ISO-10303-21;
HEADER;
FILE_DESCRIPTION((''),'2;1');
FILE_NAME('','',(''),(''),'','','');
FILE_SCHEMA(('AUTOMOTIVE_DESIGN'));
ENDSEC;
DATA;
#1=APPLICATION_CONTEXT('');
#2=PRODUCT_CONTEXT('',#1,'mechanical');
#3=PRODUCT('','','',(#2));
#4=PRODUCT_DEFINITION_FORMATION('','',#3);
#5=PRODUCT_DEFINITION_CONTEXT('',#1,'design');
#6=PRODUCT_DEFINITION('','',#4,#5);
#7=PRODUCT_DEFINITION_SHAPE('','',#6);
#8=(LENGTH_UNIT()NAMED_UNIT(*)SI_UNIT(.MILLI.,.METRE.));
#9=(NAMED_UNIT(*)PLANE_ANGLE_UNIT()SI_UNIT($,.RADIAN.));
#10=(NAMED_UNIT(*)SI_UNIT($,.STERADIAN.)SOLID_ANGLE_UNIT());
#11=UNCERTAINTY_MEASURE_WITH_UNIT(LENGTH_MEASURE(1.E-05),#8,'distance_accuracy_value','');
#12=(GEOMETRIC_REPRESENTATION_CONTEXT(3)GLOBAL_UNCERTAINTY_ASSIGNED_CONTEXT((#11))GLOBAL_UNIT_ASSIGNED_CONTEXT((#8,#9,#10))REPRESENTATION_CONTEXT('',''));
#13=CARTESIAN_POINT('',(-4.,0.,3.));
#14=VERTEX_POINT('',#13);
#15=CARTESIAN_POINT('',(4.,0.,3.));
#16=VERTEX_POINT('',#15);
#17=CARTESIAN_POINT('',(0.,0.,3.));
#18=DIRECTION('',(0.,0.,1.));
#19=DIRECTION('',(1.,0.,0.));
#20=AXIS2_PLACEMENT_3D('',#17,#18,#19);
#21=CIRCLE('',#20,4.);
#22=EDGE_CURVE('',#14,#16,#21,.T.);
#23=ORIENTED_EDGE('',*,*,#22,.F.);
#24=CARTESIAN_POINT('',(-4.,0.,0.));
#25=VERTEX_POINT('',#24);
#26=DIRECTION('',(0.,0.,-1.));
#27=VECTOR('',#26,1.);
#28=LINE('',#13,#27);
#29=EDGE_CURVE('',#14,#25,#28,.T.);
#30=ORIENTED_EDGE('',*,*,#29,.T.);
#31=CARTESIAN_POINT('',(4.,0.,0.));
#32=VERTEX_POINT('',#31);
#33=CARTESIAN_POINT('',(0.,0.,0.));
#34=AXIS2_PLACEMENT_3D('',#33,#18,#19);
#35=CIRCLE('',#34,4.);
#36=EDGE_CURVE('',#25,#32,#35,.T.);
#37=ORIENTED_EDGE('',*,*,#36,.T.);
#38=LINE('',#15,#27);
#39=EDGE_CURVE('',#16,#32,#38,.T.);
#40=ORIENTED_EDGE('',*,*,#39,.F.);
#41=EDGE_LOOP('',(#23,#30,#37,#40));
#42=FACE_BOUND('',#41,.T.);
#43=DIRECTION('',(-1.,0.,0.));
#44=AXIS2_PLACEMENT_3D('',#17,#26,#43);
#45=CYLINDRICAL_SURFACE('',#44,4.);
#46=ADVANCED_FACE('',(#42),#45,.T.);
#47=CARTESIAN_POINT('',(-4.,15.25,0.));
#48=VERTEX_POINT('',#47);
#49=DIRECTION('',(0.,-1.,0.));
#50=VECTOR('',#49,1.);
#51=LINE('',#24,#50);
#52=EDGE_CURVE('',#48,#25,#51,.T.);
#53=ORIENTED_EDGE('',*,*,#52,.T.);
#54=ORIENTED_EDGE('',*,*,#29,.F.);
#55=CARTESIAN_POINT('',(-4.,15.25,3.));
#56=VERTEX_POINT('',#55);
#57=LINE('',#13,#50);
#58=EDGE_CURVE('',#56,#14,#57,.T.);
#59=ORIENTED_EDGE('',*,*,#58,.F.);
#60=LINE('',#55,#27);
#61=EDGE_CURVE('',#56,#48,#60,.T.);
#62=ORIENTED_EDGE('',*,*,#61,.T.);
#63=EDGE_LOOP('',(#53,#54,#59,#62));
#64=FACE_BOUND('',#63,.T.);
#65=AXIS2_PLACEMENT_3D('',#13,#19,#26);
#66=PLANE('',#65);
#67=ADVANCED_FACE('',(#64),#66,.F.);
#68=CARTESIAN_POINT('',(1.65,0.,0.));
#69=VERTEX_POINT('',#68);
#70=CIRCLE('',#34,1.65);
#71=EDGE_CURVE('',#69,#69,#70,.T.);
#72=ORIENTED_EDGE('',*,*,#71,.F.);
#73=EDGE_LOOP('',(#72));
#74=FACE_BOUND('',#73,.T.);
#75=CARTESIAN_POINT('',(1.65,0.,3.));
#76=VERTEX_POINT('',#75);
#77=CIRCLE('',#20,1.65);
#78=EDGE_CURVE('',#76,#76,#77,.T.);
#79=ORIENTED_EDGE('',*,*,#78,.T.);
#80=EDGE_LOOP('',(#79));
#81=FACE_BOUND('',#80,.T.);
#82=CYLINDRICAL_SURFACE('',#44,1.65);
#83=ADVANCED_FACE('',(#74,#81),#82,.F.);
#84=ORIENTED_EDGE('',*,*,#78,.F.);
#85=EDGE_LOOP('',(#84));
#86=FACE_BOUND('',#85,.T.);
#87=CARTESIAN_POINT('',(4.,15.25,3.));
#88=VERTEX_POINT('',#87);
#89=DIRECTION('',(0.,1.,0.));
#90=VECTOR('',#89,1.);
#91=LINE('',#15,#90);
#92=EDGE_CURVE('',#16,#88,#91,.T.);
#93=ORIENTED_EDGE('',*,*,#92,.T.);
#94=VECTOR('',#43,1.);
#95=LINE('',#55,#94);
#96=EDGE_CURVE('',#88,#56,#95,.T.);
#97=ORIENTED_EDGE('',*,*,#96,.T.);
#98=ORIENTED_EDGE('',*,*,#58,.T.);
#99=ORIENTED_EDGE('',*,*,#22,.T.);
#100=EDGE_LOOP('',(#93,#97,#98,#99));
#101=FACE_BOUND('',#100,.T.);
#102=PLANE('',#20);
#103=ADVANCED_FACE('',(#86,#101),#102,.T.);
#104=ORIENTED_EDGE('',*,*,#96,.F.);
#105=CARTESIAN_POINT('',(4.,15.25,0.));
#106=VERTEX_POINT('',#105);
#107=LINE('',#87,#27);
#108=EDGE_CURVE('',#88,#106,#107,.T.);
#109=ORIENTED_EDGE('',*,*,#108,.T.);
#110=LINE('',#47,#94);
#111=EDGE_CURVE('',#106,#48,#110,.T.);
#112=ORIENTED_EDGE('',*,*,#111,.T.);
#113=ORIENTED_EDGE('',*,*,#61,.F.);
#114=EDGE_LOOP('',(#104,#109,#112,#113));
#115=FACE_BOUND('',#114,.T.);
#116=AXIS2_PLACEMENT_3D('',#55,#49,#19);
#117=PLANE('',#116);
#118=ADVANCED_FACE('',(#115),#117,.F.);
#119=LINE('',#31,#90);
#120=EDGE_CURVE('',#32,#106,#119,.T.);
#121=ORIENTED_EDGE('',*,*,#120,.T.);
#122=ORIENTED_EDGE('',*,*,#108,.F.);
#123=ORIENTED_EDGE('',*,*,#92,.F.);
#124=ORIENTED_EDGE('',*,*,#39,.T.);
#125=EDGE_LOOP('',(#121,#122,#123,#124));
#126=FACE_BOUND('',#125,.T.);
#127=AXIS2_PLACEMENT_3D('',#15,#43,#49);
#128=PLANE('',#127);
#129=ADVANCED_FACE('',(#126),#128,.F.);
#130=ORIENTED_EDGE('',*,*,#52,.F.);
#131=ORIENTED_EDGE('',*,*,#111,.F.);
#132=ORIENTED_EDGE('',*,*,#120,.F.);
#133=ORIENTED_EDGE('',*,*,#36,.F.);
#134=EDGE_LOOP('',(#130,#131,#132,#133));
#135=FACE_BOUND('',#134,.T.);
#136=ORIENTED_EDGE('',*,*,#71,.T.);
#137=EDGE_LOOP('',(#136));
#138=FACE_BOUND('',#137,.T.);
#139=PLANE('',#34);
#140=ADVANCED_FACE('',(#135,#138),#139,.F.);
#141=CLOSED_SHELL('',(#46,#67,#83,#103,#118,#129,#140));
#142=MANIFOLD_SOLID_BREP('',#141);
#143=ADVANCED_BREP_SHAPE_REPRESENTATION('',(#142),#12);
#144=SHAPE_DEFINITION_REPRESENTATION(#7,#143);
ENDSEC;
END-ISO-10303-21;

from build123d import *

# Parameters (mm, degrees)
SKETCH_1_R      = 1.65
EXTRUDE_1_DEPTH = 3


with BuildPart() as part:
    # 草图1 → 凸台-拉伸1 (new body)
    with BuildSketch(Plane.XY):
        with BuildLine():
            Line((-4, 0), (-4, 15.25))
            Line((-4, 15.25), (4, 15.25))
            Line((4, 15.25), (4, 0))
            ThreePointArc((4, 0), (0, -4), (-4, 0))
        make_face()
        Circle(SKETCH_1_R, mode=Mode.SUBTRACT)
    extrude(amount=EXTRUDE_1_DEPTH)


solid = part.part
